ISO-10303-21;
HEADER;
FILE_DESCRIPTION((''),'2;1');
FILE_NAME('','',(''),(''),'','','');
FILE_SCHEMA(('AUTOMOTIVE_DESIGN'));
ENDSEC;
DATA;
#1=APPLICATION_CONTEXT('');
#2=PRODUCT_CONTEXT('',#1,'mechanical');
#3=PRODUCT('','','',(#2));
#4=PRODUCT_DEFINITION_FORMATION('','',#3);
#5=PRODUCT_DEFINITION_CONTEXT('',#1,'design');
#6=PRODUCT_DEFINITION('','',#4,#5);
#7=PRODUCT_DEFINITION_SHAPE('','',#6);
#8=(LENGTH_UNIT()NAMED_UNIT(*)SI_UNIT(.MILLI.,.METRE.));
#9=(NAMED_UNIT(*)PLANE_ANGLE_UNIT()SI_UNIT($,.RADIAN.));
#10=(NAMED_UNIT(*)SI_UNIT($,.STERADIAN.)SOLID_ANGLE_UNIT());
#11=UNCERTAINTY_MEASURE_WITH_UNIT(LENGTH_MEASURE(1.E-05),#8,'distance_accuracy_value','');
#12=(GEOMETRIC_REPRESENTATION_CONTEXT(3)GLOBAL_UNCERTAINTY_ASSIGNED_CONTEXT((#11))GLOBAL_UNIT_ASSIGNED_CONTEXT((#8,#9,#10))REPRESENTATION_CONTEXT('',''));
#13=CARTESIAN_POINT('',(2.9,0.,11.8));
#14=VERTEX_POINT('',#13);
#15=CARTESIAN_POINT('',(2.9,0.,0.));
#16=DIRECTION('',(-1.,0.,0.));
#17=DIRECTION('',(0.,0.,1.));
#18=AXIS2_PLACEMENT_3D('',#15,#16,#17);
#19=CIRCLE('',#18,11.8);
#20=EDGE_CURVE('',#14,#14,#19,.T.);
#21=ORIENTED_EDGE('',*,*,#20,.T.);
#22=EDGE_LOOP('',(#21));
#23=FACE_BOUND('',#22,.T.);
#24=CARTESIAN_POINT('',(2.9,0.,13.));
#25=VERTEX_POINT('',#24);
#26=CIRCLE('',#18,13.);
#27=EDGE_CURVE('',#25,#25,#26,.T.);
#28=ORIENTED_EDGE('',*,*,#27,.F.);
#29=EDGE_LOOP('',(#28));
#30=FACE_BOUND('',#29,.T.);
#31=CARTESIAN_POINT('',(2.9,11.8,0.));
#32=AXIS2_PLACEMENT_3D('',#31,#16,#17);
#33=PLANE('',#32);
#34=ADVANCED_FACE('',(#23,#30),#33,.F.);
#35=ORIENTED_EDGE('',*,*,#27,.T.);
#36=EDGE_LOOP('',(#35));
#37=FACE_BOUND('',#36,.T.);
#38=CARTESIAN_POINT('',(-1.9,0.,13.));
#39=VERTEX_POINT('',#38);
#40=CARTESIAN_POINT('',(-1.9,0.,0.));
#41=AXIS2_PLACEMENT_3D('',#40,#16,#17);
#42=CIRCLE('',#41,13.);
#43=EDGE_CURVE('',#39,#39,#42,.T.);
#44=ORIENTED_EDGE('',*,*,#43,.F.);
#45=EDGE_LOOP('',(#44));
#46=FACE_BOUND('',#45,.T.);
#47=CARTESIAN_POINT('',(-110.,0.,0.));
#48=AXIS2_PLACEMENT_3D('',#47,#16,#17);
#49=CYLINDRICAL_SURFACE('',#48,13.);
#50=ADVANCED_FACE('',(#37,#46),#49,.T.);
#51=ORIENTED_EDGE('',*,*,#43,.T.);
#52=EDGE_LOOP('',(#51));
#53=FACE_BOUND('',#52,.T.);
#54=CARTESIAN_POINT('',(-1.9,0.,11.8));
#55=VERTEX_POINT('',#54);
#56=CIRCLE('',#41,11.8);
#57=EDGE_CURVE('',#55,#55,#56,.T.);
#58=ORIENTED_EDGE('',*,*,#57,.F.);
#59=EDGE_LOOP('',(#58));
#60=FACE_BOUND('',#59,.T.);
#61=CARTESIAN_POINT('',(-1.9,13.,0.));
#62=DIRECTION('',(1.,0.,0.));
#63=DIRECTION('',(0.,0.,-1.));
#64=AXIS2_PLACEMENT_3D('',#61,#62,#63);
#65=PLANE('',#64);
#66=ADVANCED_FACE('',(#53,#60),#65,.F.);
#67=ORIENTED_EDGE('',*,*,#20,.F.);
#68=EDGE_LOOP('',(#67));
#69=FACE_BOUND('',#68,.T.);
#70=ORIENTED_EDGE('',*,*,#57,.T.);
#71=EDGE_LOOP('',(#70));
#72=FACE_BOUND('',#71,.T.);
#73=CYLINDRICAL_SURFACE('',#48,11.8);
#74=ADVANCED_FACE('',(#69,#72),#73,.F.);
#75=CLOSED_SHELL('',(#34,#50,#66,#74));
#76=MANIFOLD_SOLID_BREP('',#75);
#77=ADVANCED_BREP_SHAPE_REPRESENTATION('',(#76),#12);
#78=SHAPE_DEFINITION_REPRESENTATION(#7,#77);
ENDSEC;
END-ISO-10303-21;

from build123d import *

# Parameters (mm, degrees)
AXIAL_PROFILE_MM_W = 4.8
AXIAL_PROFILE_MM_H = 1.2


with BuildPart() as part:
    # Axial profile (mm) → Full revolution (revolve)
    with BuildSketch(Plane.XY, mode=Mode.PRIVATE) as full_revolution_sk:
        with Locations((0.5, 12.4)):
            Rectangle(AXIAL_PROFILE_MM_W, AXIAL_PROFILE_MM_H)
    revolve(full_revolution_sk.sketch.rotate(Axis((-110, 0, 0), (1, 0, 0)), 90), axis=Axis((-110, 0, 0), (1, 0, 0)))


solid = part.part
